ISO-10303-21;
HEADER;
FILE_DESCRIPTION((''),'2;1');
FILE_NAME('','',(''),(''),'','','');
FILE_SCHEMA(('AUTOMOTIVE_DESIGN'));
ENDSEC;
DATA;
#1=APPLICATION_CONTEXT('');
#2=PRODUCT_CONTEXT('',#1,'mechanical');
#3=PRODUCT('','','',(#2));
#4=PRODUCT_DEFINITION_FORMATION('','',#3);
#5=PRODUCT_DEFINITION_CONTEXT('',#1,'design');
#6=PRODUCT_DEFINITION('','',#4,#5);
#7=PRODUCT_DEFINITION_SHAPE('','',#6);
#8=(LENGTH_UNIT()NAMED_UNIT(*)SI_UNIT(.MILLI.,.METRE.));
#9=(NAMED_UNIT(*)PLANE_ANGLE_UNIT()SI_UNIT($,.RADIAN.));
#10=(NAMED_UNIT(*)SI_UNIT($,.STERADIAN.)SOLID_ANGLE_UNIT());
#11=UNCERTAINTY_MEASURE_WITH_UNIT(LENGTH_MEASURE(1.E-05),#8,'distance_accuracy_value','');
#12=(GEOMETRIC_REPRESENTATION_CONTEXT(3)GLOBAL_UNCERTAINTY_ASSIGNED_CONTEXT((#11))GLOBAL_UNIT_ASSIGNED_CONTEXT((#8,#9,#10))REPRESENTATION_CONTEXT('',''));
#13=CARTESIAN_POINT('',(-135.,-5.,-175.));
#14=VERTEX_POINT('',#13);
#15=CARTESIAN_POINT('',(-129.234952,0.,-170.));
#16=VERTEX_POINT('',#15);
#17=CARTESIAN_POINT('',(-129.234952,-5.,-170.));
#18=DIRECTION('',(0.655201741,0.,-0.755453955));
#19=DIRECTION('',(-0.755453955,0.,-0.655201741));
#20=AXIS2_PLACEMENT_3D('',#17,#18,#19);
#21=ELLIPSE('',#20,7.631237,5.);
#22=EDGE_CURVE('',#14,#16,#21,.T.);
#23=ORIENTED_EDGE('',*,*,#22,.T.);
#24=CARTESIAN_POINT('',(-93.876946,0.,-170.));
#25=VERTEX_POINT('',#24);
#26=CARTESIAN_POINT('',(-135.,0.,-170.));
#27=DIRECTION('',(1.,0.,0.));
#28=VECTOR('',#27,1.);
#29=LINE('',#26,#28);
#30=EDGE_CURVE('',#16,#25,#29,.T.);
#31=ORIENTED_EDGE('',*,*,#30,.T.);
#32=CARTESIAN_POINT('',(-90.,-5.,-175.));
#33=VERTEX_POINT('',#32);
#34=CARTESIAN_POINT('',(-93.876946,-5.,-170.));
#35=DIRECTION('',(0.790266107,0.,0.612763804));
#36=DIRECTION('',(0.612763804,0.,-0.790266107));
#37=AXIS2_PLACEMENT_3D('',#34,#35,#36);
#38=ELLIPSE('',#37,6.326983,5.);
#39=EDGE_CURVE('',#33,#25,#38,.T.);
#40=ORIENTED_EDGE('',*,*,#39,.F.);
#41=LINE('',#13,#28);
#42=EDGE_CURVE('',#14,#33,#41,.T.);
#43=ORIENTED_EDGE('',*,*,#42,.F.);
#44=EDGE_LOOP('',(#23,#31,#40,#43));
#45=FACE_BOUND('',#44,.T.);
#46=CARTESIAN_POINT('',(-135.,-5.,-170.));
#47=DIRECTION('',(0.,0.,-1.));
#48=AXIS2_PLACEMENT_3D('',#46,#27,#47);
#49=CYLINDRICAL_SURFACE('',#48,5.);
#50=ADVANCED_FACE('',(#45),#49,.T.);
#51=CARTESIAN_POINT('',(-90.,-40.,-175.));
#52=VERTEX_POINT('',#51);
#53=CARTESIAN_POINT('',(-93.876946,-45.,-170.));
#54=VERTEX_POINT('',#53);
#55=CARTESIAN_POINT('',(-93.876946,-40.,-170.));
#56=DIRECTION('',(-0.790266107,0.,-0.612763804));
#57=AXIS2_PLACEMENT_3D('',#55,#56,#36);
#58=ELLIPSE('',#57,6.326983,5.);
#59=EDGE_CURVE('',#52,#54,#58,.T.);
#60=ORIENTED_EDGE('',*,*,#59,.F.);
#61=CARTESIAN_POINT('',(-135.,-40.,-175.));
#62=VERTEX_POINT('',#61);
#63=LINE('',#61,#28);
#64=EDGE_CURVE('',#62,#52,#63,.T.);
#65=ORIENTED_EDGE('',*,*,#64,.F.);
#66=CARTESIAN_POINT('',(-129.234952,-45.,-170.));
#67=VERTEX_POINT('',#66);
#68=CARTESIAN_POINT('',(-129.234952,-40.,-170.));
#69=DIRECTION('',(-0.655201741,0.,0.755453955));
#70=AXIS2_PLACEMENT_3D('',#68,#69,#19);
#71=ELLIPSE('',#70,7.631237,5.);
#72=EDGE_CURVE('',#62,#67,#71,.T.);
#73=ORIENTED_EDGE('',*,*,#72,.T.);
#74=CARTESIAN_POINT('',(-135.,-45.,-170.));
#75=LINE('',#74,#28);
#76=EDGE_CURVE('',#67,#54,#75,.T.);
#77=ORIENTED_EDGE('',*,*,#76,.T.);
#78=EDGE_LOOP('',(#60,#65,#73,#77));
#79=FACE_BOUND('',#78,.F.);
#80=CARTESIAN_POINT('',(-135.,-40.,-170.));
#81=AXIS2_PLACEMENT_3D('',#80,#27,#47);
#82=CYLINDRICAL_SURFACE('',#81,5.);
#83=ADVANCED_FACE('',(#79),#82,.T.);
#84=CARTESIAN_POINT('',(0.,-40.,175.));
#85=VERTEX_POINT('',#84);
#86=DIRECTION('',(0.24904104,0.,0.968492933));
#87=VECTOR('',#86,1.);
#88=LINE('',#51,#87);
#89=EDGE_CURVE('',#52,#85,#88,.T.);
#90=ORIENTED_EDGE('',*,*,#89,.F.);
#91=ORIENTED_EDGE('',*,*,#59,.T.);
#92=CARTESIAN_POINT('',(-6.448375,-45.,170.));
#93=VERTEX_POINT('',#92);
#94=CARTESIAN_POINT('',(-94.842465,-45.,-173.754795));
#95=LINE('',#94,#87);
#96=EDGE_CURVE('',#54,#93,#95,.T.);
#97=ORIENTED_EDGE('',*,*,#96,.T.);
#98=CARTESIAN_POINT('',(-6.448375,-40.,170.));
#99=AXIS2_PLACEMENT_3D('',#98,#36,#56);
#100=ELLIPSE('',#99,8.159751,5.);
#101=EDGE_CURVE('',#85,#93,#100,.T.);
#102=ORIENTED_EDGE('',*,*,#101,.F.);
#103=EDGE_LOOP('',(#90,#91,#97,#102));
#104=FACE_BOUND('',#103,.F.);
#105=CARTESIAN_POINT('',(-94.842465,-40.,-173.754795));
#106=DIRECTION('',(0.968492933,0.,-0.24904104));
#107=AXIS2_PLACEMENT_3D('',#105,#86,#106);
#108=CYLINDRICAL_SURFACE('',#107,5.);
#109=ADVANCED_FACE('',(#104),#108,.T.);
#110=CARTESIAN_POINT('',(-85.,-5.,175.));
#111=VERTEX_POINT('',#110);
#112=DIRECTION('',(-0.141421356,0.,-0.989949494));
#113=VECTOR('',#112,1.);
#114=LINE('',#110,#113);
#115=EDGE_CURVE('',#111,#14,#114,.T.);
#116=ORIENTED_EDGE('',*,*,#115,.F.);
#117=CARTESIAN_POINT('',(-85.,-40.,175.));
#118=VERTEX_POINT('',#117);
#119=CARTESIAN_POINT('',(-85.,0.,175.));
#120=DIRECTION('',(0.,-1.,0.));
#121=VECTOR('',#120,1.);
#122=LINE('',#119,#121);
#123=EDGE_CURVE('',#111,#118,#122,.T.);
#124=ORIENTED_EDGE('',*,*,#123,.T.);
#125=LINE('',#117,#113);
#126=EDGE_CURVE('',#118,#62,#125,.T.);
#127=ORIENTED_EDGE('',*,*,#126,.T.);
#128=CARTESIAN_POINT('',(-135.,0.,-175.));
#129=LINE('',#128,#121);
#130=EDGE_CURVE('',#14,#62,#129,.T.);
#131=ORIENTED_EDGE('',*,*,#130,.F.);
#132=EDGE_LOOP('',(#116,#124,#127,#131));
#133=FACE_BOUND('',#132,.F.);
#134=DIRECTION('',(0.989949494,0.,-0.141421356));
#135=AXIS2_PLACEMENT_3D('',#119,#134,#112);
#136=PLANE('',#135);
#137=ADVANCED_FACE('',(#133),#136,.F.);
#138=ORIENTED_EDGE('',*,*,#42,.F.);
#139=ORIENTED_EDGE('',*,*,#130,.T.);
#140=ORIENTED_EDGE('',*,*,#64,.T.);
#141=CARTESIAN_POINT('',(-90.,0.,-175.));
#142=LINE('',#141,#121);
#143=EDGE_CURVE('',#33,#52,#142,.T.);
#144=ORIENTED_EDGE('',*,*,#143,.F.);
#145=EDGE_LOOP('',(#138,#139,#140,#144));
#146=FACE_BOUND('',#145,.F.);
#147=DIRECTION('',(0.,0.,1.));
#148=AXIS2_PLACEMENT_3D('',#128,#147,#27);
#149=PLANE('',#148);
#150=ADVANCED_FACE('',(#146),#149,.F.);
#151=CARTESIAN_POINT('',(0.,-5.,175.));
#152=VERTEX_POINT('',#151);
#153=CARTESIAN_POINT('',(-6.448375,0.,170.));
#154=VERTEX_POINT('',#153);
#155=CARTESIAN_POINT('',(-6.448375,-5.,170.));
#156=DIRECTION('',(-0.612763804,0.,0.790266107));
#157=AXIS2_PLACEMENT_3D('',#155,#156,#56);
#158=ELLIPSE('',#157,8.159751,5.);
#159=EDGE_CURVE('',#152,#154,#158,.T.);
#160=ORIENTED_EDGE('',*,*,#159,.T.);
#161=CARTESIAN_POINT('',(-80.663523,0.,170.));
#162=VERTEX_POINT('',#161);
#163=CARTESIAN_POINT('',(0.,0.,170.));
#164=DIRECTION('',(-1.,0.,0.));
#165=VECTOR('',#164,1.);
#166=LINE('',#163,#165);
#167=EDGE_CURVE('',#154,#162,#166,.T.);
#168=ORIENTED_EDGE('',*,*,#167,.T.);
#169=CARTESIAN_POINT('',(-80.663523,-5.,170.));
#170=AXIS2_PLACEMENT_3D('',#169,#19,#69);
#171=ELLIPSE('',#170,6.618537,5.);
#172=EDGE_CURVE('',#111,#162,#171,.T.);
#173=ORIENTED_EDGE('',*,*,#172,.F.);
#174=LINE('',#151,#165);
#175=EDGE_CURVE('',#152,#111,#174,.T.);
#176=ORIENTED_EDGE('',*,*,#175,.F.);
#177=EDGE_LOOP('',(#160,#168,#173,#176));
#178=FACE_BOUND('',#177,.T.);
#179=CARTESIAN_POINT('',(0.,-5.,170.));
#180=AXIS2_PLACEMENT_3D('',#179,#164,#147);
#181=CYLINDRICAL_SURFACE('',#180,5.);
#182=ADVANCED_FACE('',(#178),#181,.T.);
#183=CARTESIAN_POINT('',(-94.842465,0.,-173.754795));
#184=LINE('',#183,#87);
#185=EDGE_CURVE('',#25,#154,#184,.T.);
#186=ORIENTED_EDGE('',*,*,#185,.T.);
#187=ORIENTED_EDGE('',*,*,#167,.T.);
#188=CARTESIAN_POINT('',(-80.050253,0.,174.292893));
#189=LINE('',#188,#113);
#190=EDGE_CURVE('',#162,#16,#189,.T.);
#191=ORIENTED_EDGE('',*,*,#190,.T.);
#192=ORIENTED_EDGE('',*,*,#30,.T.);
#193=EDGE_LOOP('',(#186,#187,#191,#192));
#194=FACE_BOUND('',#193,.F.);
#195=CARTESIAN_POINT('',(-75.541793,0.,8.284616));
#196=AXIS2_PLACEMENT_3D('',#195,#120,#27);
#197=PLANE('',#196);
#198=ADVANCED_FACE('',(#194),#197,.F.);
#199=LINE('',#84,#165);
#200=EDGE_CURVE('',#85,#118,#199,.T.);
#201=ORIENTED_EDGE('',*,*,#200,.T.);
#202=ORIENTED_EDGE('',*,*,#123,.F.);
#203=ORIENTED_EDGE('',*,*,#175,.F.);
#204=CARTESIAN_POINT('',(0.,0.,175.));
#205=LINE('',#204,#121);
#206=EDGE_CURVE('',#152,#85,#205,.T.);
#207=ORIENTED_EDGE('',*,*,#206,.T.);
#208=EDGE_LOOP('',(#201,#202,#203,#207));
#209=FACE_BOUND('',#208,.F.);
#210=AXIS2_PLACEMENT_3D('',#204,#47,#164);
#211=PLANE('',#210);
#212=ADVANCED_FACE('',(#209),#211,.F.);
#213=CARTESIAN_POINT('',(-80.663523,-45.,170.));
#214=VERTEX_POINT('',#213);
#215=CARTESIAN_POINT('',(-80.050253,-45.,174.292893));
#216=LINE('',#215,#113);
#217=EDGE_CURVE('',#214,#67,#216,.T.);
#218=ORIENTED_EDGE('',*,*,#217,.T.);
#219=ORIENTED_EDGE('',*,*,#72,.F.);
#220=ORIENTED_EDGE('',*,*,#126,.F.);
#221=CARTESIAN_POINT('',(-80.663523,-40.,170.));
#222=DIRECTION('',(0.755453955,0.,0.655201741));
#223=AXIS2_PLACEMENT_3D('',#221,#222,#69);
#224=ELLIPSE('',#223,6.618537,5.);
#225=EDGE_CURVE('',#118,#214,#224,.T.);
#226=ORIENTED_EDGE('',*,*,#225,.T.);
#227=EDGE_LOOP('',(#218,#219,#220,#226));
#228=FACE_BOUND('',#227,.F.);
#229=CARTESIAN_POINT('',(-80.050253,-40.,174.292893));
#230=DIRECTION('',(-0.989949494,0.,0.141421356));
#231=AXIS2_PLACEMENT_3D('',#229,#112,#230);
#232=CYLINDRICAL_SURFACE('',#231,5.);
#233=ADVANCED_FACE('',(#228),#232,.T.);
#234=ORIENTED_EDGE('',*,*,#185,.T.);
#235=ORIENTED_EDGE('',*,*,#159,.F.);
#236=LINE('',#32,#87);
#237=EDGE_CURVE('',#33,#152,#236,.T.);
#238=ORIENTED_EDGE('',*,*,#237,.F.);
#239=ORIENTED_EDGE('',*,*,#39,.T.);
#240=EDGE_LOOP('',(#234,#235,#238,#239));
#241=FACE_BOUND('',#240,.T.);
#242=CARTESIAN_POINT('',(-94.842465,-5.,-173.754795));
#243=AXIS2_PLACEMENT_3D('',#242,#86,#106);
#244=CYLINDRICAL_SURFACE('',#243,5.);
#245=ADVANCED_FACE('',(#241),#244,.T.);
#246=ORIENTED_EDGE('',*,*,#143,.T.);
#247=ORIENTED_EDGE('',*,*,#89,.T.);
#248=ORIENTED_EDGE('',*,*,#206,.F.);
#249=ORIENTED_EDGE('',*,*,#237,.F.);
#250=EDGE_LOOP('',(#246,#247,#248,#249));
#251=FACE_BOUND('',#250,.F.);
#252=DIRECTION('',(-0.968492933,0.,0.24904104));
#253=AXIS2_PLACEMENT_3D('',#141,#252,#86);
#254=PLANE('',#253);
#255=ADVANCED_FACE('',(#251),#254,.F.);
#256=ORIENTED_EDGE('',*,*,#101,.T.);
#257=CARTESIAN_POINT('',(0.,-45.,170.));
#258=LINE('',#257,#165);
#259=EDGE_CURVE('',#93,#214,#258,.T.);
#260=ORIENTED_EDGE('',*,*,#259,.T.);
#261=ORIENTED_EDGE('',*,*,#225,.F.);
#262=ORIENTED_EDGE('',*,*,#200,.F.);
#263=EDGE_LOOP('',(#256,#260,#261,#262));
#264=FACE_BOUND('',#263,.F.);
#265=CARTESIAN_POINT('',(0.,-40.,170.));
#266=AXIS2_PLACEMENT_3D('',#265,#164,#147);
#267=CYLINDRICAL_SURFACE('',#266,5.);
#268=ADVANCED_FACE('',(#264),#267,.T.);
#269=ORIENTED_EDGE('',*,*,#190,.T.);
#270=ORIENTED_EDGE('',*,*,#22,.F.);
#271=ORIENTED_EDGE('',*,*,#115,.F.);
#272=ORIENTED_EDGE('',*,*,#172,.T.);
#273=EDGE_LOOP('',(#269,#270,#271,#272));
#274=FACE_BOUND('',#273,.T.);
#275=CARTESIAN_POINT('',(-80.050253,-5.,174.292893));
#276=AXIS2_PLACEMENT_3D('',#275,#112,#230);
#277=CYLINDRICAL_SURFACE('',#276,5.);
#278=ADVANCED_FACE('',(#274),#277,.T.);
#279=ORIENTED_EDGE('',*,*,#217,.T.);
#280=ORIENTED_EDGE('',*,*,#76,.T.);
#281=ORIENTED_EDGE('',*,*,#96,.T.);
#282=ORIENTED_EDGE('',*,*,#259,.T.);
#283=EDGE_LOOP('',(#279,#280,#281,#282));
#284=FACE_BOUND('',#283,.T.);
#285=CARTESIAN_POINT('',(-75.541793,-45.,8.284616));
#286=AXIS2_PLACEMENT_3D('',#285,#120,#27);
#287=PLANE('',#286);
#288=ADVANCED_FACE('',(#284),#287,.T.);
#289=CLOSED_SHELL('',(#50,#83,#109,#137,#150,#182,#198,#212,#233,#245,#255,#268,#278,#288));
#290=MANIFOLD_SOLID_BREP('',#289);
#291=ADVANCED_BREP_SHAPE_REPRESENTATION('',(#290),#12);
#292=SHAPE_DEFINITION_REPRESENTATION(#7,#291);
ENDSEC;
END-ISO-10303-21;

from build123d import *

# Parameters (mm, degrees)
F1_DEPTH = 45
F2_R     = 5


with BuildPart() as f1:
    # F0 (on Front) → F1 (new body)
    with BuildSketch(Plane.XZ):
        Polygon((0, 175), (-85, 175), (-135, -175), (-90, -175), align=None)
    extrude(amount=F1_DEPTH)

    # F2
    f2_edges = [f1.edges().sort_by_distance(p)[0] for p in [
        (-42.5, -45, 175),
        (-110, -45, 0),
        (-112.5, -45, -175),
        (-45, -45, 0),
        (-42.5, 0, 175),
        (-110, 0, 0),
        (-112.5, 0, -175),
        (-45, 0, 0),
    ]]
    fillet(f2_edges, radius=F2_R)


solid = f1.part
